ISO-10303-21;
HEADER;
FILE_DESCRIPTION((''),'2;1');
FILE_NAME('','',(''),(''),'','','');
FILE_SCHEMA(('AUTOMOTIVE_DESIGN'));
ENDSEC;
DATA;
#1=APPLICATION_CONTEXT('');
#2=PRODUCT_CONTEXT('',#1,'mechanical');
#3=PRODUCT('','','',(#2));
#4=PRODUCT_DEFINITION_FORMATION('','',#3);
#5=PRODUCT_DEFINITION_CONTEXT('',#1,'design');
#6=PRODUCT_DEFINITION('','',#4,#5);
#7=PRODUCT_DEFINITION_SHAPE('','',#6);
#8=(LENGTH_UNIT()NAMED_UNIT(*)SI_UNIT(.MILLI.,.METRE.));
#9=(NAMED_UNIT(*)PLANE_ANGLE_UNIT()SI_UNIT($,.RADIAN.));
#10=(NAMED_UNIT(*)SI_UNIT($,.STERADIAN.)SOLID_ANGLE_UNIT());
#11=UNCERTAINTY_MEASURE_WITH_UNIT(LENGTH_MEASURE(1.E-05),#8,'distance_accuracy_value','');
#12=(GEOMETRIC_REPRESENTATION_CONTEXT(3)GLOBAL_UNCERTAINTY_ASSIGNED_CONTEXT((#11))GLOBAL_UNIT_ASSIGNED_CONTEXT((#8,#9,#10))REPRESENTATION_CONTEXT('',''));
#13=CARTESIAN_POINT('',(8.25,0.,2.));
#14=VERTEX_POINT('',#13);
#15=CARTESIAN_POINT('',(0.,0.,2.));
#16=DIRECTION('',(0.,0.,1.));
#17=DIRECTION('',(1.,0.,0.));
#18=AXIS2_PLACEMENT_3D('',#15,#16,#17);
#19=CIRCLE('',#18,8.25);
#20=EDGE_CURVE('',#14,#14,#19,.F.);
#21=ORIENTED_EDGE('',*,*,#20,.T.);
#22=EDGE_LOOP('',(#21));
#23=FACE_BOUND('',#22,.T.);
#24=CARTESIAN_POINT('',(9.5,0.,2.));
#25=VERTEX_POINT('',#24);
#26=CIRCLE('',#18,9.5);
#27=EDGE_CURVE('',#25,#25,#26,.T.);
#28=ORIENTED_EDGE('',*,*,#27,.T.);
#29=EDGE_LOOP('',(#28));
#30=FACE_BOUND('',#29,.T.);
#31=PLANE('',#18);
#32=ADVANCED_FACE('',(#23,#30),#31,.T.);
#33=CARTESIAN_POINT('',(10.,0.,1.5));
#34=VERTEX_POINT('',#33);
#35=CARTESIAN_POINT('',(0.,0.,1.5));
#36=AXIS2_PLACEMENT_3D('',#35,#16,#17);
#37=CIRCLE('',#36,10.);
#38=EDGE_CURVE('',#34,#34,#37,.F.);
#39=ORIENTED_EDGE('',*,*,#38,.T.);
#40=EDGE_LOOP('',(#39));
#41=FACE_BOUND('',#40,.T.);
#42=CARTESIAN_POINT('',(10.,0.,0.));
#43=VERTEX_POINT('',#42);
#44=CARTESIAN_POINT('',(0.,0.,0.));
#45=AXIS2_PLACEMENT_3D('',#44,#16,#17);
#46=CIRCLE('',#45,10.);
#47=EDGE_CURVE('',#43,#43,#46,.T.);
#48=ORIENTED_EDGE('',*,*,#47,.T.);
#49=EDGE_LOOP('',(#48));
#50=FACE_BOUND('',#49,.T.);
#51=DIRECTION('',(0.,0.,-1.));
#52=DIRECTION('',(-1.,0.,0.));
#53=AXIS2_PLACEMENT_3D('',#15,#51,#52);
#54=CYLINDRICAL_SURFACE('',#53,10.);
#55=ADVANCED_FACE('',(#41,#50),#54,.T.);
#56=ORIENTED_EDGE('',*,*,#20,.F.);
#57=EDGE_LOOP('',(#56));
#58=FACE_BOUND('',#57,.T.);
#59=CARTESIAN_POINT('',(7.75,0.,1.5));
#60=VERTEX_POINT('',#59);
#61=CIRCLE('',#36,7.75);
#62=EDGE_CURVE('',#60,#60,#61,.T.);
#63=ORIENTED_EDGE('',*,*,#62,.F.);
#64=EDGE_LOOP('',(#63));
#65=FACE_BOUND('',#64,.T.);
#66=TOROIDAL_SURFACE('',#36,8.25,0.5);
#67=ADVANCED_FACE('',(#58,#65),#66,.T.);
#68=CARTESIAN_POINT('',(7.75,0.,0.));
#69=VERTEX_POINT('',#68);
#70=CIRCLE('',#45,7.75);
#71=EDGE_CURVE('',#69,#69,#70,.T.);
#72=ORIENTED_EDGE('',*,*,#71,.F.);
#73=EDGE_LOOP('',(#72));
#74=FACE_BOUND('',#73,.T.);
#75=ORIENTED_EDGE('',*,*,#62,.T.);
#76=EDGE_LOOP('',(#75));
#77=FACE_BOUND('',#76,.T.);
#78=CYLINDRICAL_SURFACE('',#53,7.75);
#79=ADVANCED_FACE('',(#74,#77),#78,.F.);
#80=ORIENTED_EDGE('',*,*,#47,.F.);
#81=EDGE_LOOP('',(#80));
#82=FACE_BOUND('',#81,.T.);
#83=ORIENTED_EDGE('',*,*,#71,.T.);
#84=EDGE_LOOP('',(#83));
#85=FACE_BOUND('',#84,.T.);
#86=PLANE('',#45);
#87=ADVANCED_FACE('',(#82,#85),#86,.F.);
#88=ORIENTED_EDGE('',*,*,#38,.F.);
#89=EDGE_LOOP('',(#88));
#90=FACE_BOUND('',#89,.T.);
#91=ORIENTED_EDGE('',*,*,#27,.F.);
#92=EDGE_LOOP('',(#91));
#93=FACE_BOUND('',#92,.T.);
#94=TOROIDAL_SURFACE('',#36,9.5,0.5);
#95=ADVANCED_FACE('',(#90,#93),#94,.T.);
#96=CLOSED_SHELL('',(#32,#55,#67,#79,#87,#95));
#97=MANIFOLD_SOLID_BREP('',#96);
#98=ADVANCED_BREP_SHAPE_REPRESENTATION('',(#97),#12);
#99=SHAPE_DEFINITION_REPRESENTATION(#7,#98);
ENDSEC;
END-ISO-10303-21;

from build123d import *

# Parameters (mm, degrees)
SKICA1_R                = 10
SKICA1_R_2              = 7.75
P_IDAT_VYSUNUT_M1_DEPTH = 2
ZAOBLIT1_R              = 0.5


with BuildPart() as part:
    # Skica1 → Přidat vysunutím1 (new body)
    with BuildSketch(Plane.XY):
        Circle(SKICA1_R)
        Circle(SKICA1_R_2, mode=Mode.SUBTRACT)
    extrude(amount=P_IDAT_VYSUNUT_M1_DEPTH)

    # Zaoblit1
    zaoblit1_edges = [part.edges().sort_by_distance(p)[0] for p in [
        (-10, 0, 2),
        (-7.75, 0, 2),
    ]]
    fillet(zaoblit1_edges, radius=ZAOBLIT1_R)


solid = part.part
